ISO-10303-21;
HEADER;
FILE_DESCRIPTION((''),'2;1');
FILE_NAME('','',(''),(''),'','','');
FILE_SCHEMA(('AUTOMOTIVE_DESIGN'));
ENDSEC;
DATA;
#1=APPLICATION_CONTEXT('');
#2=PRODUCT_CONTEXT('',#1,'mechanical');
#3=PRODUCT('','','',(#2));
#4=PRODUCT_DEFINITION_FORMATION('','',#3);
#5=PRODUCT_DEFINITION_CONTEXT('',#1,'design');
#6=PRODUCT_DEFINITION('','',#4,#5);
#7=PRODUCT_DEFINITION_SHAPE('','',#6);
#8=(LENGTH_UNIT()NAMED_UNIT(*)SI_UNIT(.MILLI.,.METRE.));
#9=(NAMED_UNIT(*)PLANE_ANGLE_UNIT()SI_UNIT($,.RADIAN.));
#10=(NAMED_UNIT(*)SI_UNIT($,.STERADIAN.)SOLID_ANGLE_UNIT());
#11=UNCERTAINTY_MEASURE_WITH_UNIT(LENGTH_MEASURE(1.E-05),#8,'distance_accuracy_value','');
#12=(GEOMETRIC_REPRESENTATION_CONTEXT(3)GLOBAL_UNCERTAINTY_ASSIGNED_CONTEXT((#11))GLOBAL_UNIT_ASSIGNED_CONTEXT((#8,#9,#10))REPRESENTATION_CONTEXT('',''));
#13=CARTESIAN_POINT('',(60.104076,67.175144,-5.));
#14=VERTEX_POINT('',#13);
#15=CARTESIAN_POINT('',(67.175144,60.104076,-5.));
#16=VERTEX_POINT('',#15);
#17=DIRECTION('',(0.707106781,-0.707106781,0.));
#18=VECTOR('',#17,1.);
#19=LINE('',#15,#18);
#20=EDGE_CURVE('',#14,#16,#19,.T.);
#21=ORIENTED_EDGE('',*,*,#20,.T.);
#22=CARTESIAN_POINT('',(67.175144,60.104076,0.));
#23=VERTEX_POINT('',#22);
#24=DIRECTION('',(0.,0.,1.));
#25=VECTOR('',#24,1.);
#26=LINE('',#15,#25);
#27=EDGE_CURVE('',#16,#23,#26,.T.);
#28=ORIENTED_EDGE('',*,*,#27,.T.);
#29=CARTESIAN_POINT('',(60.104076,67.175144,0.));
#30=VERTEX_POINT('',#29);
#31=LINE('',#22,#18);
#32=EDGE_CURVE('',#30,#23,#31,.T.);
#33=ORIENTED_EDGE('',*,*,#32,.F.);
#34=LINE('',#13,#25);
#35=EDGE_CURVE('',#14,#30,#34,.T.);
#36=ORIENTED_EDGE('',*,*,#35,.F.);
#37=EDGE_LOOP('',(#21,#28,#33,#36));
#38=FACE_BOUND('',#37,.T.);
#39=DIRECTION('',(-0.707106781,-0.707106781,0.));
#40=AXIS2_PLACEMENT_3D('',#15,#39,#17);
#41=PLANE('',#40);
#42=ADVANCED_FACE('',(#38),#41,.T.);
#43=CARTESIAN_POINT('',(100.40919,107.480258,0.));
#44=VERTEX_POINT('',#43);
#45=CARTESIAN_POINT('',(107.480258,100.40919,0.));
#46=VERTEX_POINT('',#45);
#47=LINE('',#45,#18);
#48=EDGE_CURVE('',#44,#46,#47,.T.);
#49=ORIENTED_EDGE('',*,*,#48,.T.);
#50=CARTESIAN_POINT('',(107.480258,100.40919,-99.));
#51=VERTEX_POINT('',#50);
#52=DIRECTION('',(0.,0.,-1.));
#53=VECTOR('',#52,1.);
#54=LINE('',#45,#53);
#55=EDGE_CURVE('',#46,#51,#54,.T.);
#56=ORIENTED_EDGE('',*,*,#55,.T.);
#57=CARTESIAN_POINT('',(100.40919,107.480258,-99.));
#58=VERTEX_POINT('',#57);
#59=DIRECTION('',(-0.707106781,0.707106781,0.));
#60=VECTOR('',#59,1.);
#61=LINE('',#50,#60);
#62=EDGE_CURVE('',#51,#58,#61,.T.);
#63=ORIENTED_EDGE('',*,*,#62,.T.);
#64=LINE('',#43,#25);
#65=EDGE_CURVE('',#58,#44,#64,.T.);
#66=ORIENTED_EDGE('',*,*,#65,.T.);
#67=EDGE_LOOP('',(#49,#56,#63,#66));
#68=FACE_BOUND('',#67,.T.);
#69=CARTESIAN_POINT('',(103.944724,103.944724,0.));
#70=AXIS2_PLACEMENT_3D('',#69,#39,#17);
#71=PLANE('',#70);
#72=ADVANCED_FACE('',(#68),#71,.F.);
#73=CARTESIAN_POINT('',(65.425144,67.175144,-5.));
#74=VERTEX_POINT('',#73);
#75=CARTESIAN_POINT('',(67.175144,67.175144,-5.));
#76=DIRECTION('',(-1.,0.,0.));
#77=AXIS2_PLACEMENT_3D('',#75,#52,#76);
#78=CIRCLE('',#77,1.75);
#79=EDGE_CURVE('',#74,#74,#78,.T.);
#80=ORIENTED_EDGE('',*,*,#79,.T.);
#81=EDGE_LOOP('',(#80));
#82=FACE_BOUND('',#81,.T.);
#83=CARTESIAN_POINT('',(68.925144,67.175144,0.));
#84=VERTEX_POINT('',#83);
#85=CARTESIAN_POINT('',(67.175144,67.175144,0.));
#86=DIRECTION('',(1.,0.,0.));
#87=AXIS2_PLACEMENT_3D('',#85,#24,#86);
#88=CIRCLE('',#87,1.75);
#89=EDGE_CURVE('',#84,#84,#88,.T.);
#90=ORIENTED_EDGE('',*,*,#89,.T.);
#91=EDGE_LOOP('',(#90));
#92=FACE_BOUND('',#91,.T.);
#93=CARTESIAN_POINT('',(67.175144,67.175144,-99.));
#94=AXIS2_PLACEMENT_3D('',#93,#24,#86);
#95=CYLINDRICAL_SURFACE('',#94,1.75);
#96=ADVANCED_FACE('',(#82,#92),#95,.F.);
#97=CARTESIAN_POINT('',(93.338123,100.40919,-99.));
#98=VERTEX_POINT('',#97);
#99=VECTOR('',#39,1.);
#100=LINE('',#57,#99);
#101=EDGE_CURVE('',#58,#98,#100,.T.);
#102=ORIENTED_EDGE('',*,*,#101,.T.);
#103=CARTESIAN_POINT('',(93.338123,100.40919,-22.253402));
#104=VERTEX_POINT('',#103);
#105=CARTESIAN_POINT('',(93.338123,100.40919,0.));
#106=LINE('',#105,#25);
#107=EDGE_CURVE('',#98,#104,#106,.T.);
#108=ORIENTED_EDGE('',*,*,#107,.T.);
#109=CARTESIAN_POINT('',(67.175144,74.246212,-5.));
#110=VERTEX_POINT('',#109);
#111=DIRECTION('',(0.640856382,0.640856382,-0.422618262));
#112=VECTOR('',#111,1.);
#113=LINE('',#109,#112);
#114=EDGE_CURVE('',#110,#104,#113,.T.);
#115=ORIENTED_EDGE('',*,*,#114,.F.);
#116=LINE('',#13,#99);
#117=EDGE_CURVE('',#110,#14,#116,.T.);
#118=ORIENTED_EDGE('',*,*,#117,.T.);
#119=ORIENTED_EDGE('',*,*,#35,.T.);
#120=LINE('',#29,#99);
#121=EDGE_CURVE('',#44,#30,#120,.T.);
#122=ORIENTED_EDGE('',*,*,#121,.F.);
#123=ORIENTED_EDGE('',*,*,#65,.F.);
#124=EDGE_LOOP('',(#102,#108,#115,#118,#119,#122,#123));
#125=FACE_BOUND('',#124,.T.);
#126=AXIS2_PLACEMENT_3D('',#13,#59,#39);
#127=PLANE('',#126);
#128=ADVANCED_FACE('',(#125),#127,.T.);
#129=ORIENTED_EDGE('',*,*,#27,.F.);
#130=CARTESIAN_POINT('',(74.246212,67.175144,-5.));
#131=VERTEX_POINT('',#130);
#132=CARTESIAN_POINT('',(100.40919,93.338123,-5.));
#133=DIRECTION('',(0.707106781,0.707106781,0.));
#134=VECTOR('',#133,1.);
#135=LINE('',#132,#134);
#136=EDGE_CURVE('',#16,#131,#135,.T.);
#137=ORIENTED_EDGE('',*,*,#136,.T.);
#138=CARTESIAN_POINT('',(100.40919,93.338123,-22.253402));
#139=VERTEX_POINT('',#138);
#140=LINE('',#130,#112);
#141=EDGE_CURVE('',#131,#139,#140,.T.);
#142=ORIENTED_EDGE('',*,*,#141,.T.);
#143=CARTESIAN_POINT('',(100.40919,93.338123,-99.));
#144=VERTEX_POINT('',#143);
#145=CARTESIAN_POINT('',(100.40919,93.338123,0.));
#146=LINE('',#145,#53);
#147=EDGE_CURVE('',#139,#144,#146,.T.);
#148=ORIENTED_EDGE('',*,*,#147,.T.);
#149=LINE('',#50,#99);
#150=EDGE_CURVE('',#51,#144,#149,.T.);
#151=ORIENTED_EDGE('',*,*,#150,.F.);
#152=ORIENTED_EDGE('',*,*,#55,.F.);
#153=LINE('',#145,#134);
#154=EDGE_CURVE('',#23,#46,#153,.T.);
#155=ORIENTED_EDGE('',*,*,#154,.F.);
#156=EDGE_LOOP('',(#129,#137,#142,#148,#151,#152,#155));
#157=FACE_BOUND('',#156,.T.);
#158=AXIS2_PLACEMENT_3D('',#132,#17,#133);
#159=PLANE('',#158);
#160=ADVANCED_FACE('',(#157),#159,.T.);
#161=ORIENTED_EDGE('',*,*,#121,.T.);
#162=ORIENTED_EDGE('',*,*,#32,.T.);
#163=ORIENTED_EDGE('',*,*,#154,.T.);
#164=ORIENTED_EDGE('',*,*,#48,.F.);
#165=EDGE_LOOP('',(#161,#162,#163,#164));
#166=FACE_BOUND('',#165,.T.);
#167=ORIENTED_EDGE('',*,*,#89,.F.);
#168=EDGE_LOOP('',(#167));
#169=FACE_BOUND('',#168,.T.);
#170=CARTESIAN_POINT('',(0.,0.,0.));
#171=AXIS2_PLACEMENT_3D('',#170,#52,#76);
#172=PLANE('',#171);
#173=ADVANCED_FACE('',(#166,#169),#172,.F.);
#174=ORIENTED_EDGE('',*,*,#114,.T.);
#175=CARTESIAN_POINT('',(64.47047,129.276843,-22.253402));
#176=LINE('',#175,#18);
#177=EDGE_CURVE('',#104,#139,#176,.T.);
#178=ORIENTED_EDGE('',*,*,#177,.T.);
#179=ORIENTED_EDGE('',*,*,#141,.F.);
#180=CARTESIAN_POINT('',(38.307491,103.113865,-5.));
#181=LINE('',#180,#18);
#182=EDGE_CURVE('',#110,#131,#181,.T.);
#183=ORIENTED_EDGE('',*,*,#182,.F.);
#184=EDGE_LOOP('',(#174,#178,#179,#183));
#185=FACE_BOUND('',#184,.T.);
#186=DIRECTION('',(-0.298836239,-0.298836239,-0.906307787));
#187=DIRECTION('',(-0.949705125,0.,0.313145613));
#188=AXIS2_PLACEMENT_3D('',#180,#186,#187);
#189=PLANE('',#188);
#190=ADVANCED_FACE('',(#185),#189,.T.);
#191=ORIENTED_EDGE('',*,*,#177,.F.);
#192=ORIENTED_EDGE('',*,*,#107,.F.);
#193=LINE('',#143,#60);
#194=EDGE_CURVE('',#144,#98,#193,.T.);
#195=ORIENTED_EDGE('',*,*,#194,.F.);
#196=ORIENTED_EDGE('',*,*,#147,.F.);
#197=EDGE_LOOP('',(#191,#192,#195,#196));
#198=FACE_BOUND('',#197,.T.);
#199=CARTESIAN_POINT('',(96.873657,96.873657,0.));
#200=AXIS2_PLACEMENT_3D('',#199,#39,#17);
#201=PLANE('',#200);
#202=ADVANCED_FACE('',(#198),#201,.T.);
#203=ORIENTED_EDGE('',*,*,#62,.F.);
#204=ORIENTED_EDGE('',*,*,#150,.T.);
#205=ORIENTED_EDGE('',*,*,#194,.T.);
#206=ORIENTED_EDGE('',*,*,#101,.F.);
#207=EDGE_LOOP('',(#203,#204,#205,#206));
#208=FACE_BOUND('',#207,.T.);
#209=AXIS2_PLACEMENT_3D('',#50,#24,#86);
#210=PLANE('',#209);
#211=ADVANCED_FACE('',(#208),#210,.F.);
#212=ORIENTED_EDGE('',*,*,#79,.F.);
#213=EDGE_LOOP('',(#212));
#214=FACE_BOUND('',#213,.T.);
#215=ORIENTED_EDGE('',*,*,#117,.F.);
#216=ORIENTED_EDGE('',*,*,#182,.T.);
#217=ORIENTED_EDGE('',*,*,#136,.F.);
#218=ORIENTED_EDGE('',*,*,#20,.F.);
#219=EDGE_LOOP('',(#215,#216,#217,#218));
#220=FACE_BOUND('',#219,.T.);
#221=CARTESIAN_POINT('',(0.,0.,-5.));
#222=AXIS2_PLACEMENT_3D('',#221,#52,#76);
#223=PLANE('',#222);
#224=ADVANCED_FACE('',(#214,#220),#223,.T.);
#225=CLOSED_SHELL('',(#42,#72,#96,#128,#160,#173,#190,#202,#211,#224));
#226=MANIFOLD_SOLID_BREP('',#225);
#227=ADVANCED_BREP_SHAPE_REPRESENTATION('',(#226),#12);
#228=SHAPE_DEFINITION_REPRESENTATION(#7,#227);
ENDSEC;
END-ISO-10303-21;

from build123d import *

# Parameters (mm, degrees)
BOSS_EXTRUDE1_DEPTH = 5
SKETCH2_W           = 99
SKETCH2_H           = 10
BOSS_EXTRUDE2_DEPTH = 10
BOSS_EXTRUDE3_DEPTH = 10
SKETCH4_R           = 1.75
CUT_EXTRUDE1_DEPTH  = 100


with BuildPart() as part:
    # Sketch1 → Boss-Extrude1 (new body)
    with BuildSketch(Plane.XY):
        Polygon((67.175144213, 60.104076401), (60.104076401, 67.175144213), (93.338122667, 100.409190479), (100.409190479, 93.338122667), align=None)
    extrude(amount=-BOSS_EXTRUDE1_DEPTH)

    # Sketch2 → Boss-Extrude2 (add)
    with BuildSketch(Plane(origin=(96.873656573, 96.873656573, 0), x_dir=(0, 0, -1), z_dir=(0.707106781, 0.707106781, 0))):
        with Locations((49.5, 0)):
            Rectangle(SKETCH2_W, SKETCH2_H)
    extrude(amount=BOSS_EXTRUDE2_DEPTH)

    # Sketch3 → Boss-Extrude3 (add)
    with BuildSketch(Plane(origin=(3.535533906, -3.535533906, 0), x_dir=(0, 0, -1), z_dir=(0.707106781, -0.707106781, 0))):
        Polygon((5, 100), (22.25340152, 137.000038963), (5, 137.000038963), align=None)
    extrude(amount=-BOSS_EXTRUDE3_DEPTH)

    # Sketch4 → Cut-Extrude1 (cut, through all)
    with BuildSketch(Plane.XY):
        with Locations((67.175144213, 67.175144213)):
            Circle(SKETCH4_R)
    extrude(amount=-CUT_EXTRUDE1_DEPTH, mode=Mode.SUBTRACT)


solid = part.part
